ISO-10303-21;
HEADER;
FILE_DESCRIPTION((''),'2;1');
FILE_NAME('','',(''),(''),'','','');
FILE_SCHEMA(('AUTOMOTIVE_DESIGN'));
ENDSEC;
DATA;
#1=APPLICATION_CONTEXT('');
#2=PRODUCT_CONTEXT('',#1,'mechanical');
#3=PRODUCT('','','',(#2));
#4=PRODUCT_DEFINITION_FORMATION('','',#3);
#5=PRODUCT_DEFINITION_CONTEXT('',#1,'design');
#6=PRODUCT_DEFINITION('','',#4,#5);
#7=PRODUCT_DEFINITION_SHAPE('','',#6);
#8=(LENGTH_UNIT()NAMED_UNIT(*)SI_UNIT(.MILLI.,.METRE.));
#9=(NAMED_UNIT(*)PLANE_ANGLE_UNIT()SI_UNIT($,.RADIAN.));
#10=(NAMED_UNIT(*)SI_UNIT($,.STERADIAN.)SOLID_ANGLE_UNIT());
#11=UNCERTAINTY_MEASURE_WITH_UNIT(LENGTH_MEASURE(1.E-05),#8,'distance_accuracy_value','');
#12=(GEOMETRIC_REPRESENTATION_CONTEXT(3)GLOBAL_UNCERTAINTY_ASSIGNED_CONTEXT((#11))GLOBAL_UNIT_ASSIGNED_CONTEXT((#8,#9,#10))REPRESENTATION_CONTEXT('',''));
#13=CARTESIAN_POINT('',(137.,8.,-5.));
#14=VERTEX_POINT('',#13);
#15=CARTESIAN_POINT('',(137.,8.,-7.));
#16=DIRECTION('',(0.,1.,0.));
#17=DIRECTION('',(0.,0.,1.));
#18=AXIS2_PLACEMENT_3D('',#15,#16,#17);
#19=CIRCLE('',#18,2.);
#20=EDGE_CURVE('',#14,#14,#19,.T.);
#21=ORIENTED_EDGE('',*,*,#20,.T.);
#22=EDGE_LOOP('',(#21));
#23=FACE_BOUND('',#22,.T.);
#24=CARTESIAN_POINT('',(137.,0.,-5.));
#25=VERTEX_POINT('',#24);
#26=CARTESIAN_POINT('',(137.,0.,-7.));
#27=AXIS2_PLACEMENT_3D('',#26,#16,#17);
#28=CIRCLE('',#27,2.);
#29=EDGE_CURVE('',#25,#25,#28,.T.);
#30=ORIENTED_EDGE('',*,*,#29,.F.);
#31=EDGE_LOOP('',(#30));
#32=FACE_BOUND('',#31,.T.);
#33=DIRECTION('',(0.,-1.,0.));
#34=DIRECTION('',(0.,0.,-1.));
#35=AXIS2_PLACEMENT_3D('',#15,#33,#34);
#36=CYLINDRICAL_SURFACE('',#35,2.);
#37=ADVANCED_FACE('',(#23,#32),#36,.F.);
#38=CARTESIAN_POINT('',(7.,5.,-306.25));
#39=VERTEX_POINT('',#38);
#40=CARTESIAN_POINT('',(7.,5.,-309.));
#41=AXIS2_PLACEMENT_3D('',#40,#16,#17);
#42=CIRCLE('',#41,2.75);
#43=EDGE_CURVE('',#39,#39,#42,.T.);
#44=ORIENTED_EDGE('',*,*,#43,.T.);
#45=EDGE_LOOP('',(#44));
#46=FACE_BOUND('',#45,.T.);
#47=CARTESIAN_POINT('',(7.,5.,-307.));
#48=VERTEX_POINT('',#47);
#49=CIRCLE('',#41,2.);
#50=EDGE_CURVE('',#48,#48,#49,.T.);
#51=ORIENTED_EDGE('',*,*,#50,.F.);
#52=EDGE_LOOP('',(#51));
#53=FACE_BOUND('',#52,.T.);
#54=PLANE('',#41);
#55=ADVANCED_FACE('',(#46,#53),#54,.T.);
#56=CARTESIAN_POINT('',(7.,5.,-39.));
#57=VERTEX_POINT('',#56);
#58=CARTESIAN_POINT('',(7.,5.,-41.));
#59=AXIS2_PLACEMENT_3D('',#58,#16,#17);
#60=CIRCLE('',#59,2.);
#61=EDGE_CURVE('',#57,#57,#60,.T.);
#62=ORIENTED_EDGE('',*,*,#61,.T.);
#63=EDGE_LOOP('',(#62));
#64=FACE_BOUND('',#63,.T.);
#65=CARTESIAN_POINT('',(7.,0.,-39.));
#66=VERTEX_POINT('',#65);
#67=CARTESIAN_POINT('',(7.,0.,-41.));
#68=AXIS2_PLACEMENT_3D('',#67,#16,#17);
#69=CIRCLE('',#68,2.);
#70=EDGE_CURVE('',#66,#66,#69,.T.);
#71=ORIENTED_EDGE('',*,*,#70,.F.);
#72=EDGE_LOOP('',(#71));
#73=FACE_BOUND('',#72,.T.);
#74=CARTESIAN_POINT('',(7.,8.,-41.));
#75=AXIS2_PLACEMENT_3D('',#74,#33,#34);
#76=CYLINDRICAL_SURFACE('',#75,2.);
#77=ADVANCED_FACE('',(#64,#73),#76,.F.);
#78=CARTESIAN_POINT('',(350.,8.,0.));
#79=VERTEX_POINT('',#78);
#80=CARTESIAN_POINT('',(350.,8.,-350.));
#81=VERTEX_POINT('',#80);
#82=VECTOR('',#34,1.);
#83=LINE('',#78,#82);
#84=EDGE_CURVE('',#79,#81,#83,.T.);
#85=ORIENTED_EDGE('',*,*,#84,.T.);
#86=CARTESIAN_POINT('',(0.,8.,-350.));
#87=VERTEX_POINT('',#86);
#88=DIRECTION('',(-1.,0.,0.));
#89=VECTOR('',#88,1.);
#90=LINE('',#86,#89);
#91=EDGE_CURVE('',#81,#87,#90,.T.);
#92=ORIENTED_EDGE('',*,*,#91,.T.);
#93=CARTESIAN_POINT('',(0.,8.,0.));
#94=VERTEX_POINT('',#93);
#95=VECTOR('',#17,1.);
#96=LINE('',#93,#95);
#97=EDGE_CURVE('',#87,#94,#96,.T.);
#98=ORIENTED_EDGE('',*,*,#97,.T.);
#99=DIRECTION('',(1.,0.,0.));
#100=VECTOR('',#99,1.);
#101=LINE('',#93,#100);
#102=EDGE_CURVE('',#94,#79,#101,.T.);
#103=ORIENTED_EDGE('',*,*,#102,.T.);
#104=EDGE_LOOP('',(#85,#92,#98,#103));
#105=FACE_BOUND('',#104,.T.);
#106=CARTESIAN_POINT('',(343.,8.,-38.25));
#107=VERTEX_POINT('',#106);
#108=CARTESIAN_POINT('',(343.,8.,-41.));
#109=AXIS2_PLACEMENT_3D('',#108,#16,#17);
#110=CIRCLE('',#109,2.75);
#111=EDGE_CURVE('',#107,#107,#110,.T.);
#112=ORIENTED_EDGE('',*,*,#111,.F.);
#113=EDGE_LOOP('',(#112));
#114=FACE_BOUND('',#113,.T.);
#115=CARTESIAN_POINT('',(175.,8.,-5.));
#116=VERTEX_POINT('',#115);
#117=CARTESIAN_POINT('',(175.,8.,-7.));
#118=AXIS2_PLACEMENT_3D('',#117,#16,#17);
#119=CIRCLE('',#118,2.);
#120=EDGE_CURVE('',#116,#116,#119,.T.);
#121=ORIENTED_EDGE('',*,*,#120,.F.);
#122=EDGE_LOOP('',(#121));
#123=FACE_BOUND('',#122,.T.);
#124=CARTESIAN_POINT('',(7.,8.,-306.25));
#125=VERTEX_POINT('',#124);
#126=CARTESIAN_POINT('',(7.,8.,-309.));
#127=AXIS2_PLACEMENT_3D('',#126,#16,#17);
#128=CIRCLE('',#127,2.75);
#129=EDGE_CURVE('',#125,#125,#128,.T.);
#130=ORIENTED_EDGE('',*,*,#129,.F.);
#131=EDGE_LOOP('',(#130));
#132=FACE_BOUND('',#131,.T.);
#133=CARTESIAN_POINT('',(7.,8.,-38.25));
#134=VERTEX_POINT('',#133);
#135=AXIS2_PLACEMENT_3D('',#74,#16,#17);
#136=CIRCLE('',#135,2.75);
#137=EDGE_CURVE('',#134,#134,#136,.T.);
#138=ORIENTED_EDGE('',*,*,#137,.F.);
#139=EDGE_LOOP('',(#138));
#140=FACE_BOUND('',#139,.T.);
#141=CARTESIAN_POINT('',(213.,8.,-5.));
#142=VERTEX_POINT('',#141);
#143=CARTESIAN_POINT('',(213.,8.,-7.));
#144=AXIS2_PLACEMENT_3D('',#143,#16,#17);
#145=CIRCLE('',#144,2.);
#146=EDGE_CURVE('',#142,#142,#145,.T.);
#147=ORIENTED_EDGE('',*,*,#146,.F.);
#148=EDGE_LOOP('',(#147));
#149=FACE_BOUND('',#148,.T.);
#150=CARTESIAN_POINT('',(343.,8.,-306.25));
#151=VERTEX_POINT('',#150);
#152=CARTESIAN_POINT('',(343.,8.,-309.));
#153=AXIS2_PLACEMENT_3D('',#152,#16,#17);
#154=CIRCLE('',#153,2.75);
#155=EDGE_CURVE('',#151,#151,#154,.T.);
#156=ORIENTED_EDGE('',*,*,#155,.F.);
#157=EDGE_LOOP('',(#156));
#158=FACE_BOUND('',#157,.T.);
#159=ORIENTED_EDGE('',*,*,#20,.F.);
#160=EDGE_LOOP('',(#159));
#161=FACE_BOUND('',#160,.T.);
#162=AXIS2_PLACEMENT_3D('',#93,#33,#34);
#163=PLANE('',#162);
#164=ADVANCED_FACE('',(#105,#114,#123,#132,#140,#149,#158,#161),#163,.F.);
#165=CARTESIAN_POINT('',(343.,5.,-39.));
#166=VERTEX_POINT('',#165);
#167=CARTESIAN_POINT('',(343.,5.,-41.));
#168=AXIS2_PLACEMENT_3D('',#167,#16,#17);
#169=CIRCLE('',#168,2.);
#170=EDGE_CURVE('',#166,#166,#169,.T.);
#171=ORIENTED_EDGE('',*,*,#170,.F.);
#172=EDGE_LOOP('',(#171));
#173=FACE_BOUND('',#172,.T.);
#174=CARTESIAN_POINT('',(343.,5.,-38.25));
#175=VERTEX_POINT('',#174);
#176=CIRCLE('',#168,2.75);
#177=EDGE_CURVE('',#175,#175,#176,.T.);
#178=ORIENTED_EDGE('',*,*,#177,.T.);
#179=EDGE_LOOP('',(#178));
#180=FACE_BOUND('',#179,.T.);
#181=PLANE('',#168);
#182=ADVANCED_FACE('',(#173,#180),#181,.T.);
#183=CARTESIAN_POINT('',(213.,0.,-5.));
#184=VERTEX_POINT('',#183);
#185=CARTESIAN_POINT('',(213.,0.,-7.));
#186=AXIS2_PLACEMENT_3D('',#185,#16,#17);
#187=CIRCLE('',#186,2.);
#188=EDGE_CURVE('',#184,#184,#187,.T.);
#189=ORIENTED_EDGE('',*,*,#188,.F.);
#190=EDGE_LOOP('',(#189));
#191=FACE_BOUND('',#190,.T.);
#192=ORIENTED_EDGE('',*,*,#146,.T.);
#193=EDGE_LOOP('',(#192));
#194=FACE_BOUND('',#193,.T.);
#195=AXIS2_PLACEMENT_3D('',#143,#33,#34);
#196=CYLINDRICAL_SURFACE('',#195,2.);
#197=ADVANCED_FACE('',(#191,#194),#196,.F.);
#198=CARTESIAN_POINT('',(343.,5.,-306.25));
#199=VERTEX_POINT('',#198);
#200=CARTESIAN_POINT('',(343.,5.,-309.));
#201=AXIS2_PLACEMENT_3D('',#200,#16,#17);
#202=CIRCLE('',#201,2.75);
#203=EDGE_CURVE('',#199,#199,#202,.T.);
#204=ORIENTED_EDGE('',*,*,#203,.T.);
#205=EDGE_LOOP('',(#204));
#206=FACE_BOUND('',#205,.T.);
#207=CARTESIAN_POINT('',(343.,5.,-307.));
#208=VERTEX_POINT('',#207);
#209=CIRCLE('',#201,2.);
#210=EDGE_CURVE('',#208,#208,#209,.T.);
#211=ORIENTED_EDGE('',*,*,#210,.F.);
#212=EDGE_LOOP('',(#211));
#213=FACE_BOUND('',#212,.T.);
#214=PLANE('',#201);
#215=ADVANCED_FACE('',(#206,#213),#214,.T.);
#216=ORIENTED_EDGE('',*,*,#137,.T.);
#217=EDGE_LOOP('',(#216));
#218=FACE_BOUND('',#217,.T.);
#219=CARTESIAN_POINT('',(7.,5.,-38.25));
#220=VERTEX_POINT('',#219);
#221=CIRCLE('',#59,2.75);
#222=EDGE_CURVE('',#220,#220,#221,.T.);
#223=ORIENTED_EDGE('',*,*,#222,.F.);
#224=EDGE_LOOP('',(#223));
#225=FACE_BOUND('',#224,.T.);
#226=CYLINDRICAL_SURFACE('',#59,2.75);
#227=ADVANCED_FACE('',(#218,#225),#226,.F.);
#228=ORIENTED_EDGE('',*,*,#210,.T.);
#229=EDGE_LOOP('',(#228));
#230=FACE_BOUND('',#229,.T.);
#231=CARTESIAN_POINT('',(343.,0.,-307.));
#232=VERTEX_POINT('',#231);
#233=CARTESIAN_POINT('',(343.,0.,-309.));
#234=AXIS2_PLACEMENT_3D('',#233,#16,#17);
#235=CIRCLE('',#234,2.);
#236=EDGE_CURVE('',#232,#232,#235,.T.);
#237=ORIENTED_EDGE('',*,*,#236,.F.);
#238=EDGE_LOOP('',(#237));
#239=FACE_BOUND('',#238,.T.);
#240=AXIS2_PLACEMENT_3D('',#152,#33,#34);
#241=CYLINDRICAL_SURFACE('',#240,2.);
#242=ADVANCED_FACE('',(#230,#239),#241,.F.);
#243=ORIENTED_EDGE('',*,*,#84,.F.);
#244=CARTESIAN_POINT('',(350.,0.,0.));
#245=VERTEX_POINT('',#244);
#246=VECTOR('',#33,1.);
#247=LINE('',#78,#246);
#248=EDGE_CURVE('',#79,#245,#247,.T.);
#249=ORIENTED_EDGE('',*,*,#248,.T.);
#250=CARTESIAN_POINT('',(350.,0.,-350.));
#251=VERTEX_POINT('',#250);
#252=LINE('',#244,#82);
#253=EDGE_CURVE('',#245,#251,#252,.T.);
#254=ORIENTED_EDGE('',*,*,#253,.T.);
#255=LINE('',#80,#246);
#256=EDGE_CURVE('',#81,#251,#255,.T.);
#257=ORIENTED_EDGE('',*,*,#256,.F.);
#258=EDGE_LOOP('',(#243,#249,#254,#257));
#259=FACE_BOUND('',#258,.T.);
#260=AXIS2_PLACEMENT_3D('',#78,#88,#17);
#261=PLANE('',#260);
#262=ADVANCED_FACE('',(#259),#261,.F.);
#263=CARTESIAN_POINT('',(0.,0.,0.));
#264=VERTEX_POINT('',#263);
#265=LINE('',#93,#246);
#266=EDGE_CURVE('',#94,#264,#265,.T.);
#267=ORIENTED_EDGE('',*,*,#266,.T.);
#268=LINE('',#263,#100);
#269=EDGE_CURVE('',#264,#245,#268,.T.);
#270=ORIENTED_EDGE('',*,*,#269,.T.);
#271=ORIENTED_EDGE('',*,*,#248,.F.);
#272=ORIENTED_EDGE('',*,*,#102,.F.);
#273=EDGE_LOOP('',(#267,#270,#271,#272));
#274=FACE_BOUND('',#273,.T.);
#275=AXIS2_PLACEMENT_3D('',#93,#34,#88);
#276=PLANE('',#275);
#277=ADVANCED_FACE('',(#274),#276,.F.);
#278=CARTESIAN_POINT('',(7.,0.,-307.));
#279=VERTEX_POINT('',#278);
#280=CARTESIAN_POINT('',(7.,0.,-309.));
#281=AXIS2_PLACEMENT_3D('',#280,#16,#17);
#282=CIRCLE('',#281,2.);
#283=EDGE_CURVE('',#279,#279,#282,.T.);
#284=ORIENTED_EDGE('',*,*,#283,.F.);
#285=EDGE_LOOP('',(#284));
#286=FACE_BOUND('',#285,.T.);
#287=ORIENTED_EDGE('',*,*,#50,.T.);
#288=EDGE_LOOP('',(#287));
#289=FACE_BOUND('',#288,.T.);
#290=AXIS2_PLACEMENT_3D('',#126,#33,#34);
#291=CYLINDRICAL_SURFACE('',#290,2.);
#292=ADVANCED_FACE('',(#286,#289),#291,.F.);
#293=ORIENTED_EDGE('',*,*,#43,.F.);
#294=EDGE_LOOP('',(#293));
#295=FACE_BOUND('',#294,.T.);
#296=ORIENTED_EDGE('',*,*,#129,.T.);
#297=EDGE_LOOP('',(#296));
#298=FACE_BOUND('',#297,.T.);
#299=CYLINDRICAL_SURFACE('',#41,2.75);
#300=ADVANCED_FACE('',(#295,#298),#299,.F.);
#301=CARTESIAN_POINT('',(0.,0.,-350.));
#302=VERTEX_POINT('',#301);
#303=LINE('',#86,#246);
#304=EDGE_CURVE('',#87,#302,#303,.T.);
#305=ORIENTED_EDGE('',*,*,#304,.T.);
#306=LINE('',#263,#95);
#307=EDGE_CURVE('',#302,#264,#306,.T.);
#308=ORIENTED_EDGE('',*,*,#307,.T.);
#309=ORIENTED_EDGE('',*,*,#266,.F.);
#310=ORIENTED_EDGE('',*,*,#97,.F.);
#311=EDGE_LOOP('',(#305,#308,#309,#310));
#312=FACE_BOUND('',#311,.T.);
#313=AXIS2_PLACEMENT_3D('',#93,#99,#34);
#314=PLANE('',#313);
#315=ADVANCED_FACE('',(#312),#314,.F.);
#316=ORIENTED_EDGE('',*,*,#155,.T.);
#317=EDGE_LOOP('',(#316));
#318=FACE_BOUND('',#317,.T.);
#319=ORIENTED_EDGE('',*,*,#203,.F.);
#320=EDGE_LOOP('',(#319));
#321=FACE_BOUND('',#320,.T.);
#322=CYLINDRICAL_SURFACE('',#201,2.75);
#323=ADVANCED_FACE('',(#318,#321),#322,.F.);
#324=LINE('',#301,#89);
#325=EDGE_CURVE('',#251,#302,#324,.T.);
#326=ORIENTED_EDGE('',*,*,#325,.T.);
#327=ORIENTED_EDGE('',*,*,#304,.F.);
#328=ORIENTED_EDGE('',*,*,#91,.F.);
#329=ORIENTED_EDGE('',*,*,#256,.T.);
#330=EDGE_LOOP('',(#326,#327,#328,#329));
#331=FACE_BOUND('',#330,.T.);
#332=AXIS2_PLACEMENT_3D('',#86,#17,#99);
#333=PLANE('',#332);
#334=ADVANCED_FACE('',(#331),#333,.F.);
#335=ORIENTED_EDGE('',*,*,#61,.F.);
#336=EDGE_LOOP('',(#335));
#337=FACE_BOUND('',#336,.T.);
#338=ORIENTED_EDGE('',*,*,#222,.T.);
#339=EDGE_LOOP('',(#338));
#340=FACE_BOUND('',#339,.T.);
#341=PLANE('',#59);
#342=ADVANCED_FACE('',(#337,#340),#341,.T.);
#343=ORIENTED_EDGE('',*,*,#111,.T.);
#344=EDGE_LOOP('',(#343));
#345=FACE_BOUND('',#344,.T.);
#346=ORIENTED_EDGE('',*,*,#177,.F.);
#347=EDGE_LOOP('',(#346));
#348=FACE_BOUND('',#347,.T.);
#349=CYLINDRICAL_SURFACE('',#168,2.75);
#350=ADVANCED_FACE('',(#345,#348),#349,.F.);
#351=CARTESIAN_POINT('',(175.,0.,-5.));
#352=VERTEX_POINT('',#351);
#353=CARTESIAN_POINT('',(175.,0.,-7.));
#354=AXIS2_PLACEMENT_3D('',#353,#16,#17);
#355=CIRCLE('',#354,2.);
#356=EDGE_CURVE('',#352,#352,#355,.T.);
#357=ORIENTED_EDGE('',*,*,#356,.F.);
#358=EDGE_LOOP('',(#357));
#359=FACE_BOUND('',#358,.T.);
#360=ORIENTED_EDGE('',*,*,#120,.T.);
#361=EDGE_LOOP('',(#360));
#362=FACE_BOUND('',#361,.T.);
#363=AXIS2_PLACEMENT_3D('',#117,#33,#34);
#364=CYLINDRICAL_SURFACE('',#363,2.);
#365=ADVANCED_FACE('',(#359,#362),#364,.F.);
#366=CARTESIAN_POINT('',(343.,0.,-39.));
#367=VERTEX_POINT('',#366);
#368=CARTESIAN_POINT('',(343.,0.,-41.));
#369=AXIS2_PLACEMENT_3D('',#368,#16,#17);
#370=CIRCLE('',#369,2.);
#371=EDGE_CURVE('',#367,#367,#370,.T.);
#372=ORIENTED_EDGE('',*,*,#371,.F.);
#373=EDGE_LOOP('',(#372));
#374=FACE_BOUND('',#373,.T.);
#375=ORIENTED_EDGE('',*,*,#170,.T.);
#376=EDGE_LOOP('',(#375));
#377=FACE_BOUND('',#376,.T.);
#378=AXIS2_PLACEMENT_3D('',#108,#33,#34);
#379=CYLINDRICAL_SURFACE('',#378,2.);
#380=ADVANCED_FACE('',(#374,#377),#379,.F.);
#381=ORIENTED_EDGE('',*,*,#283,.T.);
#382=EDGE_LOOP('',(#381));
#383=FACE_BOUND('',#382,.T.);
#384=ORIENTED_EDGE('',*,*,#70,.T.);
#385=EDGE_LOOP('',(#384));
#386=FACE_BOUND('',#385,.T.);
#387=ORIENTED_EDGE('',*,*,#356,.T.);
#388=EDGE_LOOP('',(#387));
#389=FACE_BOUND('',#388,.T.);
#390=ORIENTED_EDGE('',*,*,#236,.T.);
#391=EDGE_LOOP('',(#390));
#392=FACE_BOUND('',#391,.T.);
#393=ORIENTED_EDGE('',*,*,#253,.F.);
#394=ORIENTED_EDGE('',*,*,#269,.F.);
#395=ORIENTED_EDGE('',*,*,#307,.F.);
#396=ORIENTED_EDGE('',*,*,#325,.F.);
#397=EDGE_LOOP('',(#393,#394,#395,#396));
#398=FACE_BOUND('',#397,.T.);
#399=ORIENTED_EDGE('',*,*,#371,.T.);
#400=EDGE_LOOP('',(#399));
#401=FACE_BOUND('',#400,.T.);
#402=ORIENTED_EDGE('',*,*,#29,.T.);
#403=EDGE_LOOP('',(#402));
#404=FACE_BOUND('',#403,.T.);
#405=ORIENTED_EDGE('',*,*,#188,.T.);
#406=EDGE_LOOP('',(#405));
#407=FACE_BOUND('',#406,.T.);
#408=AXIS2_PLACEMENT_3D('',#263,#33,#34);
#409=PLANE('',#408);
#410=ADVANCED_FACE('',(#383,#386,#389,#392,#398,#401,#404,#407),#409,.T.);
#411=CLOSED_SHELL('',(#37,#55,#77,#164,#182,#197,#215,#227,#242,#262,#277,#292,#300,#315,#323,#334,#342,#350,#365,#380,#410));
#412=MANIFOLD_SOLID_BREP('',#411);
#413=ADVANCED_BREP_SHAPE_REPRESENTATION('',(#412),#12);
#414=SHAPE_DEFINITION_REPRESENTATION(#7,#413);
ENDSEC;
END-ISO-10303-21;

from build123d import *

# Parameters (mm, degrees)
PLATESKETCH2_W         = 350
PLATESKETCH2_H         = 350
PLATESKETCH2_R         = 2
BOSS_EXTRUDE1_DEPTH    = 8
BORESKETCH1_R          = 2.75
BORECUT_EXTRUDE1_DEPTH = 3


with BuildPart() as part:
    # PlateSketch2 → Boss-Extrude1 (new body)
    with BuildSketch(Plane(origin=(0, 0, 0), x_dir=(1, 0, 0), z_dir=(0, 1, 0))):
        with Locations((175, 175)):
            Rectangle(PLATESKETCH2_W, PLATESKETCH2_H)
        with Locations(Location((7, 309, 0), (0, 0, 270))):
            Circle(PLATESKETCH2_R, mode=Mode.SUBTRACT)
        with Locations(Location((343, 309, 0), (0, 0, 270))):
            Circle(PLATESKETCH2_R, mode=Mode.SUBTRACT)
        with Locations(Location((137, 7, 0), (0, 0, 270))):
            Circle(PLATESKETCH2_R, mode=Mode.SUBTRACT)
        with Locations(Location((175, 7, 0), (0, 0, 270))):
            Circle(PLATESKETCH2_R, mode=Mode.SUBTRACT)
        with Locations(Location((213, 7, 0), (0, 0, 270))):
            Circle(PLATESKETCH2_R, mode=Mode.SUBTRACT)
        with Locations(Location((7, 41, 0), (0, 0, 270))):
            Circle(PLATESKETCH2_R, mode=Mode.SUBTRACT)
        with Locations(Location((343, 41, 0), (0, 0, 270))):
            Circle(PLATESKETCH2_R, mode=Mode.SUBTRACT)
    extrude(amount=BOSS_EXTRUDE1_DEPTH)

    # BoreSketch1 → BoreCut-Extrude1 (cut)
    with BuildSketch(Plane(origin=(0, 8, 0), x_dir=(1, 0, 0), z_dir=(0, 1, 0))):
        with Locations(Location((7, 309, 0), (0, 0, 270))):
            Circle(BORESKETCH1_R)
        with Locations(Location((343, 309, 0), (0, 0, 270))):
            Circle(BORESKETCH1_R)
        with Locations(Location((7, 41, 0), (0, 0, 270))):
            Circle(BORESKETCH1_R)
        with Locations(Location((343, 41, 0), (0, 0, 270))):
            Circle(BORESKETCH1_R)
    extrude(amount=-BORECUT_EXTRUDE1_DEPTH, mode=Mode.SUBTRACT)


solid = part.part
